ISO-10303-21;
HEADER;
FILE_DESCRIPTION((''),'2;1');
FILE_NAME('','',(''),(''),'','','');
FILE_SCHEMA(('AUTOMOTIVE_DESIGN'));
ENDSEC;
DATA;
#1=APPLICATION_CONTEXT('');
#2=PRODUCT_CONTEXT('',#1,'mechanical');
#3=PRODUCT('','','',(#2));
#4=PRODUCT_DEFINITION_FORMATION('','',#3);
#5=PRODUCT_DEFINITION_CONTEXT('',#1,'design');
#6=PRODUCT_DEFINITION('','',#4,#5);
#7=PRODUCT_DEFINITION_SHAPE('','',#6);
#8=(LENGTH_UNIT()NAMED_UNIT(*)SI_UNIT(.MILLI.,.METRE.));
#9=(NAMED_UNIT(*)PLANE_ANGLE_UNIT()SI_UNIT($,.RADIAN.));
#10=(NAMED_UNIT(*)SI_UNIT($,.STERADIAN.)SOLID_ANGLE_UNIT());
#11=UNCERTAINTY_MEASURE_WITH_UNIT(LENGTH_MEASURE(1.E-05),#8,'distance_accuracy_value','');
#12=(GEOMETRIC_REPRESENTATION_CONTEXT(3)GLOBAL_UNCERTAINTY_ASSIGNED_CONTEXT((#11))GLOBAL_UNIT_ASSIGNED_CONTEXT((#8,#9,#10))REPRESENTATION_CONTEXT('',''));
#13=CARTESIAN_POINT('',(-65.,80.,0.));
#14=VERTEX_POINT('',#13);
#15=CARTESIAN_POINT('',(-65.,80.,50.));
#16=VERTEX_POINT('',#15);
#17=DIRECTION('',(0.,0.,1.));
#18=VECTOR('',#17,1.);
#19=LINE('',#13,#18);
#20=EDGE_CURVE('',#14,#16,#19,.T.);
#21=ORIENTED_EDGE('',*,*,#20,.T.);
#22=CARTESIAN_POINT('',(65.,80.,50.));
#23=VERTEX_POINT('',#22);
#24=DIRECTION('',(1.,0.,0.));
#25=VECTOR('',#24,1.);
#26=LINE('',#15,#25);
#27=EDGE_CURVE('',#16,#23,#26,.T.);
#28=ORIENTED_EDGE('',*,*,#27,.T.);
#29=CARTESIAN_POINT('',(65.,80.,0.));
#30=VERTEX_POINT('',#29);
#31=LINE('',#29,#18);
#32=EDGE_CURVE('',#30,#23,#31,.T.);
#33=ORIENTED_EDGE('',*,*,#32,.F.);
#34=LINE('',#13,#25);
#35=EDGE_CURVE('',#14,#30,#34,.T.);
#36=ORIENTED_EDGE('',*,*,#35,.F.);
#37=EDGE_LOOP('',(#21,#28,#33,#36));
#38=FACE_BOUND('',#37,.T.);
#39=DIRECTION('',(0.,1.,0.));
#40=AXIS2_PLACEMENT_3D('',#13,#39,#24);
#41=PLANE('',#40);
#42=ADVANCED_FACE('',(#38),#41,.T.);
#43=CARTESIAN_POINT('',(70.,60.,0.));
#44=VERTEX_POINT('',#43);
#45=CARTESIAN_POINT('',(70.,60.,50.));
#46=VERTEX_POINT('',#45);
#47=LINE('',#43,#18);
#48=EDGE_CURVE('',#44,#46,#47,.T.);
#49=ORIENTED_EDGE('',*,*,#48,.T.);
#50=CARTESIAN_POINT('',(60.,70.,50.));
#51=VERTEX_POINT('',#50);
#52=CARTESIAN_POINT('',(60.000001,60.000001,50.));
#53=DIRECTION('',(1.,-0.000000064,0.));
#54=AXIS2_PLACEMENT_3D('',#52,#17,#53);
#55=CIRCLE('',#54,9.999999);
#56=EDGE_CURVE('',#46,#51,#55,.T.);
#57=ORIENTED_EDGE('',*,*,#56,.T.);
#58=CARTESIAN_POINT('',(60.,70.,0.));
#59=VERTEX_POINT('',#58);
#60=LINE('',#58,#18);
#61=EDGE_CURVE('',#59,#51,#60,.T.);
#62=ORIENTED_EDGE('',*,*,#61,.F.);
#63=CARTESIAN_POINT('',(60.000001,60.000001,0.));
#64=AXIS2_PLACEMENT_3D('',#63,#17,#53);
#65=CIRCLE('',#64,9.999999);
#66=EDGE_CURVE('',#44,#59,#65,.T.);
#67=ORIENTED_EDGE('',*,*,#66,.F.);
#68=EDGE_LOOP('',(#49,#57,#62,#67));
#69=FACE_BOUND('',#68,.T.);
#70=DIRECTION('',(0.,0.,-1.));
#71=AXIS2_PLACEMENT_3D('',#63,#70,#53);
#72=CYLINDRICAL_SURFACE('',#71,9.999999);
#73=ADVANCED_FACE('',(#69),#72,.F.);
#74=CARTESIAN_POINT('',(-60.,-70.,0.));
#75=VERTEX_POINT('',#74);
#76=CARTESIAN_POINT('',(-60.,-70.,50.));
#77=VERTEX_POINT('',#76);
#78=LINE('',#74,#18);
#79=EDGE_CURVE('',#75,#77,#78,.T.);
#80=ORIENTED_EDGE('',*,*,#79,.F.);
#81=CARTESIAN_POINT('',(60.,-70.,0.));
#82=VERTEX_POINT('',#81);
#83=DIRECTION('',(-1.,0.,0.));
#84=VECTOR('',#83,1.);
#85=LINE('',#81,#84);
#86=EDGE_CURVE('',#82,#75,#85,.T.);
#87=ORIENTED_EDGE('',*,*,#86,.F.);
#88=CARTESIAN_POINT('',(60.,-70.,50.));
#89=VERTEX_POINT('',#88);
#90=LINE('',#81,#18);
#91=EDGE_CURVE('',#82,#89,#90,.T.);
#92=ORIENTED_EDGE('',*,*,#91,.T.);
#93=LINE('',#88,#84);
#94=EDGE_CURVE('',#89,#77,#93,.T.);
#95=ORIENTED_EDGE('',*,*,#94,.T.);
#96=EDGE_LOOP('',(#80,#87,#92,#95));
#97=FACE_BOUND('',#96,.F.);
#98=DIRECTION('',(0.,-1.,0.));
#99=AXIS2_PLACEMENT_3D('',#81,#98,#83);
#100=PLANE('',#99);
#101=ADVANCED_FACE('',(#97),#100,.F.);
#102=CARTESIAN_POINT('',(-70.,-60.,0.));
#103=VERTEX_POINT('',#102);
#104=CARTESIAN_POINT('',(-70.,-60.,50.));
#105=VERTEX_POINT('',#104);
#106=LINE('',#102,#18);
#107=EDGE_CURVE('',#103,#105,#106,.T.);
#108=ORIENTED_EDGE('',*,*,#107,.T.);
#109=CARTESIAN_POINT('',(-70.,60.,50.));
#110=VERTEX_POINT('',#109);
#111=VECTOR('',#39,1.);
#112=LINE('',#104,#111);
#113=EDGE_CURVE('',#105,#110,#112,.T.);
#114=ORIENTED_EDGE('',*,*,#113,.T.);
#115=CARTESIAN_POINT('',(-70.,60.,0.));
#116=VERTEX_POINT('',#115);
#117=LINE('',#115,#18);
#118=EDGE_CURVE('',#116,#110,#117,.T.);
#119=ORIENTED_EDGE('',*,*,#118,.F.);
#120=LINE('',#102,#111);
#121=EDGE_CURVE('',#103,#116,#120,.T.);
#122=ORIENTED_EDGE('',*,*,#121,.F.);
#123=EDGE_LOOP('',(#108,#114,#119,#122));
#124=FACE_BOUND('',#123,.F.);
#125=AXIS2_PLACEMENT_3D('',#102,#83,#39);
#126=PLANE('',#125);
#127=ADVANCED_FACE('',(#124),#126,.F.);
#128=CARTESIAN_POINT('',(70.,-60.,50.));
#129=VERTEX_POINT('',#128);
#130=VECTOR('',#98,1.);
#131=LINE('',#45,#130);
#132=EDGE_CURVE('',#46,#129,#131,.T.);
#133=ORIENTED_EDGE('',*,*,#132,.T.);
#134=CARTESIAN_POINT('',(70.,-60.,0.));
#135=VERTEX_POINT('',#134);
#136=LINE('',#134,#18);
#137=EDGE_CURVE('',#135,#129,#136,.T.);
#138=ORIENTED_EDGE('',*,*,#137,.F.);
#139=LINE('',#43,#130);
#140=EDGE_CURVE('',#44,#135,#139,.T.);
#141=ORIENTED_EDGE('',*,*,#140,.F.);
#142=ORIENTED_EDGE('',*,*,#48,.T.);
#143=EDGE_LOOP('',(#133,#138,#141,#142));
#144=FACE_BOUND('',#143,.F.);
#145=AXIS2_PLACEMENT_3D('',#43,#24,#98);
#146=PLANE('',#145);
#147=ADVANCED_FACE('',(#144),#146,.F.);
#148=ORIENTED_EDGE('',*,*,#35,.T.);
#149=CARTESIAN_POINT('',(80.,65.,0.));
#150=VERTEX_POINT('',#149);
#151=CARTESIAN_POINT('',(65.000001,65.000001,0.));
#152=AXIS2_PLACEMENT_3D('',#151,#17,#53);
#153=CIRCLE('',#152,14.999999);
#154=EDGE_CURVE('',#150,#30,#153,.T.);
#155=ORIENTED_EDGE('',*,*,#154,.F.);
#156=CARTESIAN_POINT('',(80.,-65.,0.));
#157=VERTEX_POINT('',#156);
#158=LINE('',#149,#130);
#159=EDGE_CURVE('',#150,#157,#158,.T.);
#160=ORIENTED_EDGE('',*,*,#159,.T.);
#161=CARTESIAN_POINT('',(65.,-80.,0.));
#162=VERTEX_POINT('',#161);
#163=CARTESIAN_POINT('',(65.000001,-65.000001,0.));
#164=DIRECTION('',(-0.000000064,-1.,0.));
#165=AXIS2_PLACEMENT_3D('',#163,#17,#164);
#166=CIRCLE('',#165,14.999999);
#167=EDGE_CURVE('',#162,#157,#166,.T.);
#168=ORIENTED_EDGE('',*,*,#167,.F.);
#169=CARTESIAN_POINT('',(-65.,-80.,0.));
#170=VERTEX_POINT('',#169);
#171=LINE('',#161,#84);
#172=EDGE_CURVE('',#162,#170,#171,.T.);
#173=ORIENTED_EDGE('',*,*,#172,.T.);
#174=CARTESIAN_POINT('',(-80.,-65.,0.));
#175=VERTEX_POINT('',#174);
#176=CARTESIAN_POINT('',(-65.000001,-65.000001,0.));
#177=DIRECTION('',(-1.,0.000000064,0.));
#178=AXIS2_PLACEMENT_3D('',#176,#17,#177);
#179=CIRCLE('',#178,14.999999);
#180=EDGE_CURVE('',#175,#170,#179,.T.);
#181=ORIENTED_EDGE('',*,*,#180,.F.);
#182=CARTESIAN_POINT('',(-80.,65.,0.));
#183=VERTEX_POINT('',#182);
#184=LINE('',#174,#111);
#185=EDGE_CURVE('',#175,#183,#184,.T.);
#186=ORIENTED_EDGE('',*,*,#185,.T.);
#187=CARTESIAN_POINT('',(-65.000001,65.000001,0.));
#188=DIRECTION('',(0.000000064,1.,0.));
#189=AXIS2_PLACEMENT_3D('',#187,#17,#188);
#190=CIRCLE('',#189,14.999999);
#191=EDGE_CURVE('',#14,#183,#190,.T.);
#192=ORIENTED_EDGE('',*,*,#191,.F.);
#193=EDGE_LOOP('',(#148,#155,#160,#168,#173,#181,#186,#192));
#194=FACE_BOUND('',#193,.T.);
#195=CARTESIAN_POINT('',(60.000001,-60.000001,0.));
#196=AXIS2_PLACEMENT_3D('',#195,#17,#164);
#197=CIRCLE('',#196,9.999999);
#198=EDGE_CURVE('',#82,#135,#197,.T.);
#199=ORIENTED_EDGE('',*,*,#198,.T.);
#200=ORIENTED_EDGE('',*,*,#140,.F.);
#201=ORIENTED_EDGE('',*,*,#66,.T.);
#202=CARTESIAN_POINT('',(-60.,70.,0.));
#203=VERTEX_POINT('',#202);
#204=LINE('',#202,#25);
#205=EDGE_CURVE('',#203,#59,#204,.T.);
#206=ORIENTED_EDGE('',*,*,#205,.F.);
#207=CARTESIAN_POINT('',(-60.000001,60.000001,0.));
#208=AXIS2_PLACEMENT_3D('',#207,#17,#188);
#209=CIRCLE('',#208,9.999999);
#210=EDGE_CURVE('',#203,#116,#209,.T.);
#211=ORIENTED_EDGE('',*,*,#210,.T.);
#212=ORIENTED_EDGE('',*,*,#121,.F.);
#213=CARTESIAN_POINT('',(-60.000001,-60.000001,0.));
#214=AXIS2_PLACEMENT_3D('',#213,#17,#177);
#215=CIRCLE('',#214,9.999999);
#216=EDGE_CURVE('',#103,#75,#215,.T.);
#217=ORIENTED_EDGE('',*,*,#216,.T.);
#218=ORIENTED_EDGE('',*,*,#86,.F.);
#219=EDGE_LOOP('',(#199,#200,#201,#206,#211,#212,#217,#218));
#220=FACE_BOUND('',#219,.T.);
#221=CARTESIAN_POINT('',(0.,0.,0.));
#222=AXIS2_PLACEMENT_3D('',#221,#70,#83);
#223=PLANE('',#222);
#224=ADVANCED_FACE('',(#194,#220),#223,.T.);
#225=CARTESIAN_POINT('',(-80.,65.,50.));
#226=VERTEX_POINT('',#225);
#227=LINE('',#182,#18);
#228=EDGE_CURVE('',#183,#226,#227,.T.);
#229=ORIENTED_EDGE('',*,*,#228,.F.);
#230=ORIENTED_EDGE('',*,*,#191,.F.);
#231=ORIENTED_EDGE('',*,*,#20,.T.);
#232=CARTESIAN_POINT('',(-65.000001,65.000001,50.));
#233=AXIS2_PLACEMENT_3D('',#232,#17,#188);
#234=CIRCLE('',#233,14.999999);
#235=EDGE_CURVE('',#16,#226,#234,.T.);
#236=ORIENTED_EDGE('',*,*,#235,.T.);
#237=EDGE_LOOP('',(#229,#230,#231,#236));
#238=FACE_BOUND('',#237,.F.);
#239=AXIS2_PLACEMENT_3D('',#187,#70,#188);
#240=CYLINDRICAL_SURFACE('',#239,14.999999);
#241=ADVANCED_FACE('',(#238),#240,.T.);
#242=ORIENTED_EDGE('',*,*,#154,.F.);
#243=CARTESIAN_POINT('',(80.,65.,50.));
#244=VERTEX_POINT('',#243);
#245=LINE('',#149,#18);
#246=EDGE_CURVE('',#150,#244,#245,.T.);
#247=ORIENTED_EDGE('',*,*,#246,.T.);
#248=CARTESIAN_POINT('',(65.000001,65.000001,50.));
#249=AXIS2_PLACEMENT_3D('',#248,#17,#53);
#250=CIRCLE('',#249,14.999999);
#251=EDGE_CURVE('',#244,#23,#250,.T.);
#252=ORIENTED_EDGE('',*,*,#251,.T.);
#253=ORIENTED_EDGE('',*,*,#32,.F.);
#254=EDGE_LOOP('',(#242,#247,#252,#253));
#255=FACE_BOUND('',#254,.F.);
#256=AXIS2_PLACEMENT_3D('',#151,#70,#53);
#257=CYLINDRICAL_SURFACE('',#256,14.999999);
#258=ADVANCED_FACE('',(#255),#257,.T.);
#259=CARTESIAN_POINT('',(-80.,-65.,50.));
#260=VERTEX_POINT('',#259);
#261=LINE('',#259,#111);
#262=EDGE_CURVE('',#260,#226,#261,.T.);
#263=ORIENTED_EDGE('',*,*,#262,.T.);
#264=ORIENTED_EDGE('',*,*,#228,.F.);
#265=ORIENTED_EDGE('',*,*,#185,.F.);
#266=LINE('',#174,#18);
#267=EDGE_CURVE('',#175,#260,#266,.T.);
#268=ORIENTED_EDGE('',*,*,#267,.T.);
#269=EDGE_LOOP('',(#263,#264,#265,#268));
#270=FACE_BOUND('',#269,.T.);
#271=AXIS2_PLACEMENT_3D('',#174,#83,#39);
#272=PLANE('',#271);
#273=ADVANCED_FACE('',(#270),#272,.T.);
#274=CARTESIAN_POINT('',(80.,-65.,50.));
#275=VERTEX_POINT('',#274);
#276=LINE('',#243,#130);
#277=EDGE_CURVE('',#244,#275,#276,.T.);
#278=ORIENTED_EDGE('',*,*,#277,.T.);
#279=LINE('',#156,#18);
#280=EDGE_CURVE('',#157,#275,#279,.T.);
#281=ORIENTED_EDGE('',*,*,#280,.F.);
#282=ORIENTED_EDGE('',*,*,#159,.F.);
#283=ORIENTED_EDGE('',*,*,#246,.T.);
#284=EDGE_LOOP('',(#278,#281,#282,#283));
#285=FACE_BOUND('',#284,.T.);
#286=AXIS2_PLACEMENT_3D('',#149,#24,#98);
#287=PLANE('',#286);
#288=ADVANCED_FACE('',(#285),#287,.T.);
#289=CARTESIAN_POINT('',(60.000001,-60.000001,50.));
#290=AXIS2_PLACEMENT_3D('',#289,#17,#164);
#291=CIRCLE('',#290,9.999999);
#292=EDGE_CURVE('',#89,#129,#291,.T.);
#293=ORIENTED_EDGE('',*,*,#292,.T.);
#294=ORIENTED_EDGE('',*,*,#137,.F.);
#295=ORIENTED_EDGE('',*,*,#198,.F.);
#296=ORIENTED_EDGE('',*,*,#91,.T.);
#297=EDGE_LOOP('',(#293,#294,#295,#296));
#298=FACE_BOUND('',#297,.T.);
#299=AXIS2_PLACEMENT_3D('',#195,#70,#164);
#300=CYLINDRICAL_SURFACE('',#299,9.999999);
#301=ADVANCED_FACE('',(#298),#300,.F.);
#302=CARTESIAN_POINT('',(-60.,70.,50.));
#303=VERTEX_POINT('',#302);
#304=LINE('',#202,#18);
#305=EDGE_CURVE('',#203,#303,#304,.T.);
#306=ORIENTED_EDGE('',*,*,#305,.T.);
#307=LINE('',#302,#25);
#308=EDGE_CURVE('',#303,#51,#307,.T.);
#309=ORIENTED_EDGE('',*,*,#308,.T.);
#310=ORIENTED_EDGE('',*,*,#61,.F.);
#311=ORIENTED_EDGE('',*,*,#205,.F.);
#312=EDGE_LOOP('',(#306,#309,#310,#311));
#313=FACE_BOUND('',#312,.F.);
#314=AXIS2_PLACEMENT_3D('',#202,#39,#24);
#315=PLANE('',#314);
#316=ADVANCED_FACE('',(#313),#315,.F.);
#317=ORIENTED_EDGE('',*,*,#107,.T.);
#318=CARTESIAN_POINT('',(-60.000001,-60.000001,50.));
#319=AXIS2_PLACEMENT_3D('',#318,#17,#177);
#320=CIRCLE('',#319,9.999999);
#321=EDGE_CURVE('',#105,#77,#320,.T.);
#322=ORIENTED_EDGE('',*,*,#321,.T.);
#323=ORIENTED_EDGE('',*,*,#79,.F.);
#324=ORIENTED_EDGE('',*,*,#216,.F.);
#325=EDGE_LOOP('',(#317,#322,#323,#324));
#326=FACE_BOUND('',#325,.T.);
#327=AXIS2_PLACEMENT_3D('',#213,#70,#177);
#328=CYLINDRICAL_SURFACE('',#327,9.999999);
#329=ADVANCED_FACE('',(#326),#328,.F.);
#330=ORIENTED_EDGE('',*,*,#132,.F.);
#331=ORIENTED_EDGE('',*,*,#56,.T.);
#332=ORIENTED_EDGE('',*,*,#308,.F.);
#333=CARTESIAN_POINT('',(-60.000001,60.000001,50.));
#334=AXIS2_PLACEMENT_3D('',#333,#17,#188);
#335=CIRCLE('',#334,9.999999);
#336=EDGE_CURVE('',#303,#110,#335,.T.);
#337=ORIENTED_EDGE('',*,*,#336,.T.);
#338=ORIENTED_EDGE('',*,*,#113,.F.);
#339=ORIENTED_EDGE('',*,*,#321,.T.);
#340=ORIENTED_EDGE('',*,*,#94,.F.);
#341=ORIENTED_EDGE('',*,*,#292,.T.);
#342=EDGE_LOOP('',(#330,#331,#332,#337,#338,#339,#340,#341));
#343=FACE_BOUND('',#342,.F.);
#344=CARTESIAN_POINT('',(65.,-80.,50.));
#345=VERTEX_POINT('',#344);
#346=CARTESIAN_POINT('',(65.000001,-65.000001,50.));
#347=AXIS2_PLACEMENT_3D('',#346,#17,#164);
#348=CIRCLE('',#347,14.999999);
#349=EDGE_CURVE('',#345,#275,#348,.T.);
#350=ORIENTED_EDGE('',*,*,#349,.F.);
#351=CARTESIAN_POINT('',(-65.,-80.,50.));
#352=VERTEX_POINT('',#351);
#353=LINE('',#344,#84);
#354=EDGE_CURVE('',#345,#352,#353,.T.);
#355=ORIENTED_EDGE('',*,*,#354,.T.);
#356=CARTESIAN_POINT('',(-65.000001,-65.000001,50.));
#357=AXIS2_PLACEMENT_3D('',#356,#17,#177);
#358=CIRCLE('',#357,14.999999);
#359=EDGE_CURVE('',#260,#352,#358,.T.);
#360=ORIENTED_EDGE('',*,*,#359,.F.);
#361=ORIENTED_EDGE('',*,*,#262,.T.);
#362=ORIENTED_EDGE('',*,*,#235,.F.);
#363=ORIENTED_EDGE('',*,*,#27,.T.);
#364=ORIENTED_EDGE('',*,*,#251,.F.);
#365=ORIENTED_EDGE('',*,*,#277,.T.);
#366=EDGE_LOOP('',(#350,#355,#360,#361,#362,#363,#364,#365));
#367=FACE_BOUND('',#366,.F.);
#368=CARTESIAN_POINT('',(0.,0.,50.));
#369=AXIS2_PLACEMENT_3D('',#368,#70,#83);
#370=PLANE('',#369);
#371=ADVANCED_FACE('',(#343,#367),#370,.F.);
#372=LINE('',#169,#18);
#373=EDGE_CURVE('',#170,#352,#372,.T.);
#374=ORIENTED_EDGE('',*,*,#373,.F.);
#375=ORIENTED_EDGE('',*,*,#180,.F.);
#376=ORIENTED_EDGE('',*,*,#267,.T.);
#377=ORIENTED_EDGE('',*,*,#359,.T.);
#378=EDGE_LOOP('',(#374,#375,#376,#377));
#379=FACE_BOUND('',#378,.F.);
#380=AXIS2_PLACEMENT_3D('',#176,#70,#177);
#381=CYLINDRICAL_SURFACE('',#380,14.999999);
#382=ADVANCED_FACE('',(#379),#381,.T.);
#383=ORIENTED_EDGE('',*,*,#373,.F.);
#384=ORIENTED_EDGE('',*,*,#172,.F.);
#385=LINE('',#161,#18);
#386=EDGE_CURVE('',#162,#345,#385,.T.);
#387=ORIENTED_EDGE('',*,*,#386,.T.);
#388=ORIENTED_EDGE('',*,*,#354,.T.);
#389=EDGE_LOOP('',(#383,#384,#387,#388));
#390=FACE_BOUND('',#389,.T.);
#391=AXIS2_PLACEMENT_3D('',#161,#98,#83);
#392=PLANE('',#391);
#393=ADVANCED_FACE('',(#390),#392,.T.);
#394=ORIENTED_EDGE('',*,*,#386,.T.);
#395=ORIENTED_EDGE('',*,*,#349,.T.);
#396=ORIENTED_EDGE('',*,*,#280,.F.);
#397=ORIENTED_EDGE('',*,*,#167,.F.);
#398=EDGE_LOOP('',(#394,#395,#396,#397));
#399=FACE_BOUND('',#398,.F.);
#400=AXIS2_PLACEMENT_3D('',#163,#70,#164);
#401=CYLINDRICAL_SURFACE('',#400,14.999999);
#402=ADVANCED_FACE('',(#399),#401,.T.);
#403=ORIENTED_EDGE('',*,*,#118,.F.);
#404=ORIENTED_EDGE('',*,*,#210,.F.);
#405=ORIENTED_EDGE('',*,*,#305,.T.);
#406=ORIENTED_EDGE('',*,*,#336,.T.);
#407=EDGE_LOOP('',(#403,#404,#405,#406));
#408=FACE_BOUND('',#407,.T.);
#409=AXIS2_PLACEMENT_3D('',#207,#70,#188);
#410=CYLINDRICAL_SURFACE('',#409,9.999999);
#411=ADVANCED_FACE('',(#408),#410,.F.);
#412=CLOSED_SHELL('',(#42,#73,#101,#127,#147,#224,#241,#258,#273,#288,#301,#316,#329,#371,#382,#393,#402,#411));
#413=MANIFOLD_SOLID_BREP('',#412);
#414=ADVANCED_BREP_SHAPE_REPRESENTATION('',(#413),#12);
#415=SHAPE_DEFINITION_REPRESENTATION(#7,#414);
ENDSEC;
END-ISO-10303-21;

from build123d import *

# Parameters (mm, degrees)
EXTRUDE_DEPTH = 50


with BuildPart() as part:
    # Sketch → Extrude (new body)
    with BuildSketch(Plane.XY):
        with BuildLine():
            Line((-65, 80), (65, 80))
            ThreePointArc((80, 65), (75.606602, 75.606602), (65, 80))
            Line((80, 65), (80, -65))
            ThreePointArc((65, -80), (75.606602, -75.606602), (80, -65))
            Line((65, -80), (-65, -80))
            ThreePointArc((-80, -65), (-75.606602, -75.606602), (-65, -80))
            Line((-80, -65), (-80, 65))
            ThreePointArc((-65, 80), (-75.606602, 75.606602), (-80, 65))
        make_face()
        with BuildLine():
            Line((-60, 70), (60, 70))
            ThreePointArc((70, 60), (67.071068, 67.071068), (60, 70))
            Line((70, 60), (70, -60))
            ThreePointArc((60, -70), (67.071068, -67.071068), (70, -60))
            Line((60, -70), (-60, -70))
            ThreePointArc((-70, -60), (-67.071068, -67.071068), (-60, -70))
            Line((-70, -60), (-70, 60))
            ThreePointArc((-60, 70), (-67.071068, 67.071068), (-70, 60))
        make_face(mode=Mode.SUBTRACT)
    extrude(amount=EXTRUDE_DEPTH)


solid = part.part
